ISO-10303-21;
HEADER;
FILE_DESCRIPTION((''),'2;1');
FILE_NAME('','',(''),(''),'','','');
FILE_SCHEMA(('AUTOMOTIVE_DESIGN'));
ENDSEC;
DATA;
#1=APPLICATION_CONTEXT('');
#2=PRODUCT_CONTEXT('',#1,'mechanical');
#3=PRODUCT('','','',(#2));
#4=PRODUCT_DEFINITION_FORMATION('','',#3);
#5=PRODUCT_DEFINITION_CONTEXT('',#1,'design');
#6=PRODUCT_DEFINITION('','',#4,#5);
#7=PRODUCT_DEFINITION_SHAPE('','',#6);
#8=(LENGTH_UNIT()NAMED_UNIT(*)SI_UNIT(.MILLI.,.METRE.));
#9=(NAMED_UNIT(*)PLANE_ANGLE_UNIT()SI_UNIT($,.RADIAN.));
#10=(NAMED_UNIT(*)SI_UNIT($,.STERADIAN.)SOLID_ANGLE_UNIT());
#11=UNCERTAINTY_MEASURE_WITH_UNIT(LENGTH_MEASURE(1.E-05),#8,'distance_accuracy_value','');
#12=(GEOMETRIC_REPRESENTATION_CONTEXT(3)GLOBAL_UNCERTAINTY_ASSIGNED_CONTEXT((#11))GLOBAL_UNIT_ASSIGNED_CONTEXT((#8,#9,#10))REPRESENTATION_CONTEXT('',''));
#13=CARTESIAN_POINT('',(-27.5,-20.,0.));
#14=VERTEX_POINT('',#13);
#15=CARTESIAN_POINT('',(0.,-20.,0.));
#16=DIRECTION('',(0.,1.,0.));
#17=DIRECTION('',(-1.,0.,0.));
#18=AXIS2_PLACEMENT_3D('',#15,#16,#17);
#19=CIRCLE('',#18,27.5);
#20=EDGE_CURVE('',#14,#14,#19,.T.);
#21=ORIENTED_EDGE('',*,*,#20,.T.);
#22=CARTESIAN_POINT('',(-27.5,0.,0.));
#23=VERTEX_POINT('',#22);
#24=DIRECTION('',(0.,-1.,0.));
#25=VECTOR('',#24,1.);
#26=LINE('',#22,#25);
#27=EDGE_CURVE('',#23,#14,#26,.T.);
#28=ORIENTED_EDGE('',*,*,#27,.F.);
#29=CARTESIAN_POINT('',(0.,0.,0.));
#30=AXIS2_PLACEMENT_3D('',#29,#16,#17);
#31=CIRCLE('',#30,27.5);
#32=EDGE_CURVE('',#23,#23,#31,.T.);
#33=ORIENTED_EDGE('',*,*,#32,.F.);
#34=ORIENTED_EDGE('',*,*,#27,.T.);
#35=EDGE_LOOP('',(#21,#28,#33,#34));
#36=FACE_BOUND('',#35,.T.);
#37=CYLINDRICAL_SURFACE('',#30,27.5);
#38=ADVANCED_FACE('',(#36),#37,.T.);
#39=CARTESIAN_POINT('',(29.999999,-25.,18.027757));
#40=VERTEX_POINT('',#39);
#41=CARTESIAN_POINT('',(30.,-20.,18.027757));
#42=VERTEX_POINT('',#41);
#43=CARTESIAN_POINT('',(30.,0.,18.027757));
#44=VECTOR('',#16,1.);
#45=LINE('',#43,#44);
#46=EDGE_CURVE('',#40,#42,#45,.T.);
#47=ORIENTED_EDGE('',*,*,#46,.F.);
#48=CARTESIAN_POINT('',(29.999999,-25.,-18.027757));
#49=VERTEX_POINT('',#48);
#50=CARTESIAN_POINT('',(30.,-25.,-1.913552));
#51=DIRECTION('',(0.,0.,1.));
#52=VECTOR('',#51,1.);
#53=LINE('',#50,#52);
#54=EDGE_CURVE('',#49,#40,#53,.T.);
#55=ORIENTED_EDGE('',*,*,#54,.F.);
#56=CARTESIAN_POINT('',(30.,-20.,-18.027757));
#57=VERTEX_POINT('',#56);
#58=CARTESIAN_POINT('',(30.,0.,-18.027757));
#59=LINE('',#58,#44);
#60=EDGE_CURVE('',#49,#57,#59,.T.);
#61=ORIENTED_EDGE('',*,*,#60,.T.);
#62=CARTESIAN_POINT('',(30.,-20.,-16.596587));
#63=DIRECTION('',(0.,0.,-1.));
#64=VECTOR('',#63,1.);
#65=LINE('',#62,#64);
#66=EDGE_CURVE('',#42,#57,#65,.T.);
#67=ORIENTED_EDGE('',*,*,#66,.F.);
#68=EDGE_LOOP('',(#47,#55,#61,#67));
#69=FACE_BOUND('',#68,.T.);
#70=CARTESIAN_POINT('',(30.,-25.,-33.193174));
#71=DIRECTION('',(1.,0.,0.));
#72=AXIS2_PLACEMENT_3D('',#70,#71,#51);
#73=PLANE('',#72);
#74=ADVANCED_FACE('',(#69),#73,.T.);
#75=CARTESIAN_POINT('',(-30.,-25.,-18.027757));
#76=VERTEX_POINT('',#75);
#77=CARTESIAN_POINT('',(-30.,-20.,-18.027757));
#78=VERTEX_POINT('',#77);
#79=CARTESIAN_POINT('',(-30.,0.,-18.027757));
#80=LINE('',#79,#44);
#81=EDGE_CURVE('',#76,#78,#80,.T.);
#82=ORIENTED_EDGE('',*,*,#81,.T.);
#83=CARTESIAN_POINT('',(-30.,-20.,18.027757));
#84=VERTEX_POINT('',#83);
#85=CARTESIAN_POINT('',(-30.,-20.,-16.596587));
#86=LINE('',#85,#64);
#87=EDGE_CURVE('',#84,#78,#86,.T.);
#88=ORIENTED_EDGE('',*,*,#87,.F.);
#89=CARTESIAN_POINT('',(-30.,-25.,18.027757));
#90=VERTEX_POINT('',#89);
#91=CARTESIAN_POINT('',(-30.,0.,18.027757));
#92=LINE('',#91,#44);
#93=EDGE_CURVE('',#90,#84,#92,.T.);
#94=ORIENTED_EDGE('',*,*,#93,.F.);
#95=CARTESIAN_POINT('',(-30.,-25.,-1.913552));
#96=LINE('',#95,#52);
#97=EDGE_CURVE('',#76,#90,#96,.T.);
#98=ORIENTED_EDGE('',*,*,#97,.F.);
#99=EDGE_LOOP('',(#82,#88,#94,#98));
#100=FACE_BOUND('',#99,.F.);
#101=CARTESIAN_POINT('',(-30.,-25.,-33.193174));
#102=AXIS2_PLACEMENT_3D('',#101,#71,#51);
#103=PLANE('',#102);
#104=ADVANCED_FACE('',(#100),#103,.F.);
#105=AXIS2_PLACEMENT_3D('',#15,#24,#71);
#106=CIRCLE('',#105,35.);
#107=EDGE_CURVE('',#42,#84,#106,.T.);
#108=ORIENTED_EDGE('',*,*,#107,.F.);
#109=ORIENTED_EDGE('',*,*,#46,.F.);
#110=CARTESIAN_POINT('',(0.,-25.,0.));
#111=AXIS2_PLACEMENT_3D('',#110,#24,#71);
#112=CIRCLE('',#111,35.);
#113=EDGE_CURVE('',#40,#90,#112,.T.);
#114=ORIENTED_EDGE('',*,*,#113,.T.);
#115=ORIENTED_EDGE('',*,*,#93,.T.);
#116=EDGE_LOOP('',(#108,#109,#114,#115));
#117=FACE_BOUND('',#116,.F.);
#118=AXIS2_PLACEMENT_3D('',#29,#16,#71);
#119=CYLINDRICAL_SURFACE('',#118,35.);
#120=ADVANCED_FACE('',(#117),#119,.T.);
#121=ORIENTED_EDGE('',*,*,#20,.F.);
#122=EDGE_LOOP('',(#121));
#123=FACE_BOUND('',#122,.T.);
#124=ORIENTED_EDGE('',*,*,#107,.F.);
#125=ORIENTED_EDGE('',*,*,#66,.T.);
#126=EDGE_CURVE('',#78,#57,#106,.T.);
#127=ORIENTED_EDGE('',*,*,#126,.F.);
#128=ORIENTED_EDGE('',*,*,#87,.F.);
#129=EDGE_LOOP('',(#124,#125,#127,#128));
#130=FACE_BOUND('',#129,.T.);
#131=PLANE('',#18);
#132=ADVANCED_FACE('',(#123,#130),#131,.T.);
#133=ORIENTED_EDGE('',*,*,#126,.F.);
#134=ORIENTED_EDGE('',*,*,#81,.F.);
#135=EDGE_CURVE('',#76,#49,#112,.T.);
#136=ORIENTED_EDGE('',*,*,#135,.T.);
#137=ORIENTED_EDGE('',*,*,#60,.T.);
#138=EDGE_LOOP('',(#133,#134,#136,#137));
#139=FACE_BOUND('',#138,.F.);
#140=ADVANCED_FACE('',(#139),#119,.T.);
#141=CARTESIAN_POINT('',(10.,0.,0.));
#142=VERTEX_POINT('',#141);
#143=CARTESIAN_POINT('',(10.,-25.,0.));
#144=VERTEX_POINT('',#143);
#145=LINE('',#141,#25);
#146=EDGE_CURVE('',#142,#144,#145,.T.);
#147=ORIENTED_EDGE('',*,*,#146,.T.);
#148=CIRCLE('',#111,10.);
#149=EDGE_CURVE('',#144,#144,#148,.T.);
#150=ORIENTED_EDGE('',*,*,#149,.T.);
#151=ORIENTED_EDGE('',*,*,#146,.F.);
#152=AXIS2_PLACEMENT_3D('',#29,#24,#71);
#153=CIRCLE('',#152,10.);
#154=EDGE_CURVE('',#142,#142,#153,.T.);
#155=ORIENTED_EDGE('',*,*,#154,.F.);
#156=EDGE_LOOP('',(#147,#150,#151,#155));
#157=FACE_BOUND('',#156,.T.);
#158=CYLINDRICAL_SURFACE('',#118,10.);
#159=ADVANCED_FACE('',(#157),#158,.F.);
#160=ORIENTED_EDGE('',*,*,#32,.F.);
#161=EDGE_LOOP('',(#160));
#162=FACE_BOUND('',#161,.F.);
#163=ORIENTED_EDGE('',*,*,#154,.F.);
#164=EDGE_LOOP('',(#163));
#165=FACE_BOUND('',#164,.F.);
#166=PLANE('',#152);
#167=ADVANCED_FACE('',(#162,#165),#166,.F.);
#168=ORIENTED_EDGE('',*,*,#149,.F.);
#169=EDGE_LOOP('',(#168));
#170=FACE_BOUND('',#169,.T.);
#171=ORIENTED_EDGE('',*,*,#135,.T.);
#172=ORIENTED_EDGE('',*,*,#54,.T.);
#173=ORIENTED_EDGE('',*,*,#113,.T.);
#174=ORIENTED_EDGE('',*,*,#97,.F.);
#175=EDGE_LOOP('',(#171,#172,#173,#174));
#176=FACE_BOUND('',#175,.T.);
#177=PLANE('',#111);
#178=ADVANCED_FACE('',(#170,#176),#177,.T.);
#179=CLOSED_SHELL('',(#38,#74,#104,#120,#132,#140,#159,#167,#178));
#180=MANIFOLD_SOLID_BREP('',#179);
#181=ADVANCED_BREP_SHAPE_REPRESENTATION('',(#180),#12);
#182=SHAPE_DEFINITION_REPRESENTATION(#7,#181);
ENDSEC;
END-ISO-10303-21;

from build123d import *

# Parameters (mm, degrees)
F0_R     = 35
F0_R_2   = 10
F1_DEPTH = 25
F2_R     = 35
F2_R_2   = 27.5
F3_DEPTH = 20
F4_W     = 13.364931
F4_H     = 62.559245
F5_DEPTH = 25


with BuildPart() as f1:
    # F0 (on Front) → F1 (new body)
    with BuildSketch(Plane.XZ):
        Circle(F0_R)
        Circle(F0_R_2, mode=Mode.SUBTRACT)
    extrude(amount=F1_DEPTH)

    # F2 (on face) → F3 (cut)
    with BuildSketch(Plane(origin=(0, 0, 0), x_dir=(-1, 0, 0), z_dir=(0, 1, 0))):
        Circle(F2_R)
        Circle(F2_R_2, mode=Mode.SUBTRACT)
    extrude(amount=-F3_DEPTH, mode=Mode.SUBTRACT)

    # F4 (on face) → F5 (cut)
    with BuildSketch(Plane.XZ.offset(25)):
        with Locations((-36.682465, -1.913552)):
            Rectangle(F4_W, F4_H)
        with Locations((36.682465, -1.913552)):
            Rectangle(F4_W, F4_H)
    extrude(amount=-F5_DEPTH, mode=Mode.SUBTRACT)


solid = f1.part
